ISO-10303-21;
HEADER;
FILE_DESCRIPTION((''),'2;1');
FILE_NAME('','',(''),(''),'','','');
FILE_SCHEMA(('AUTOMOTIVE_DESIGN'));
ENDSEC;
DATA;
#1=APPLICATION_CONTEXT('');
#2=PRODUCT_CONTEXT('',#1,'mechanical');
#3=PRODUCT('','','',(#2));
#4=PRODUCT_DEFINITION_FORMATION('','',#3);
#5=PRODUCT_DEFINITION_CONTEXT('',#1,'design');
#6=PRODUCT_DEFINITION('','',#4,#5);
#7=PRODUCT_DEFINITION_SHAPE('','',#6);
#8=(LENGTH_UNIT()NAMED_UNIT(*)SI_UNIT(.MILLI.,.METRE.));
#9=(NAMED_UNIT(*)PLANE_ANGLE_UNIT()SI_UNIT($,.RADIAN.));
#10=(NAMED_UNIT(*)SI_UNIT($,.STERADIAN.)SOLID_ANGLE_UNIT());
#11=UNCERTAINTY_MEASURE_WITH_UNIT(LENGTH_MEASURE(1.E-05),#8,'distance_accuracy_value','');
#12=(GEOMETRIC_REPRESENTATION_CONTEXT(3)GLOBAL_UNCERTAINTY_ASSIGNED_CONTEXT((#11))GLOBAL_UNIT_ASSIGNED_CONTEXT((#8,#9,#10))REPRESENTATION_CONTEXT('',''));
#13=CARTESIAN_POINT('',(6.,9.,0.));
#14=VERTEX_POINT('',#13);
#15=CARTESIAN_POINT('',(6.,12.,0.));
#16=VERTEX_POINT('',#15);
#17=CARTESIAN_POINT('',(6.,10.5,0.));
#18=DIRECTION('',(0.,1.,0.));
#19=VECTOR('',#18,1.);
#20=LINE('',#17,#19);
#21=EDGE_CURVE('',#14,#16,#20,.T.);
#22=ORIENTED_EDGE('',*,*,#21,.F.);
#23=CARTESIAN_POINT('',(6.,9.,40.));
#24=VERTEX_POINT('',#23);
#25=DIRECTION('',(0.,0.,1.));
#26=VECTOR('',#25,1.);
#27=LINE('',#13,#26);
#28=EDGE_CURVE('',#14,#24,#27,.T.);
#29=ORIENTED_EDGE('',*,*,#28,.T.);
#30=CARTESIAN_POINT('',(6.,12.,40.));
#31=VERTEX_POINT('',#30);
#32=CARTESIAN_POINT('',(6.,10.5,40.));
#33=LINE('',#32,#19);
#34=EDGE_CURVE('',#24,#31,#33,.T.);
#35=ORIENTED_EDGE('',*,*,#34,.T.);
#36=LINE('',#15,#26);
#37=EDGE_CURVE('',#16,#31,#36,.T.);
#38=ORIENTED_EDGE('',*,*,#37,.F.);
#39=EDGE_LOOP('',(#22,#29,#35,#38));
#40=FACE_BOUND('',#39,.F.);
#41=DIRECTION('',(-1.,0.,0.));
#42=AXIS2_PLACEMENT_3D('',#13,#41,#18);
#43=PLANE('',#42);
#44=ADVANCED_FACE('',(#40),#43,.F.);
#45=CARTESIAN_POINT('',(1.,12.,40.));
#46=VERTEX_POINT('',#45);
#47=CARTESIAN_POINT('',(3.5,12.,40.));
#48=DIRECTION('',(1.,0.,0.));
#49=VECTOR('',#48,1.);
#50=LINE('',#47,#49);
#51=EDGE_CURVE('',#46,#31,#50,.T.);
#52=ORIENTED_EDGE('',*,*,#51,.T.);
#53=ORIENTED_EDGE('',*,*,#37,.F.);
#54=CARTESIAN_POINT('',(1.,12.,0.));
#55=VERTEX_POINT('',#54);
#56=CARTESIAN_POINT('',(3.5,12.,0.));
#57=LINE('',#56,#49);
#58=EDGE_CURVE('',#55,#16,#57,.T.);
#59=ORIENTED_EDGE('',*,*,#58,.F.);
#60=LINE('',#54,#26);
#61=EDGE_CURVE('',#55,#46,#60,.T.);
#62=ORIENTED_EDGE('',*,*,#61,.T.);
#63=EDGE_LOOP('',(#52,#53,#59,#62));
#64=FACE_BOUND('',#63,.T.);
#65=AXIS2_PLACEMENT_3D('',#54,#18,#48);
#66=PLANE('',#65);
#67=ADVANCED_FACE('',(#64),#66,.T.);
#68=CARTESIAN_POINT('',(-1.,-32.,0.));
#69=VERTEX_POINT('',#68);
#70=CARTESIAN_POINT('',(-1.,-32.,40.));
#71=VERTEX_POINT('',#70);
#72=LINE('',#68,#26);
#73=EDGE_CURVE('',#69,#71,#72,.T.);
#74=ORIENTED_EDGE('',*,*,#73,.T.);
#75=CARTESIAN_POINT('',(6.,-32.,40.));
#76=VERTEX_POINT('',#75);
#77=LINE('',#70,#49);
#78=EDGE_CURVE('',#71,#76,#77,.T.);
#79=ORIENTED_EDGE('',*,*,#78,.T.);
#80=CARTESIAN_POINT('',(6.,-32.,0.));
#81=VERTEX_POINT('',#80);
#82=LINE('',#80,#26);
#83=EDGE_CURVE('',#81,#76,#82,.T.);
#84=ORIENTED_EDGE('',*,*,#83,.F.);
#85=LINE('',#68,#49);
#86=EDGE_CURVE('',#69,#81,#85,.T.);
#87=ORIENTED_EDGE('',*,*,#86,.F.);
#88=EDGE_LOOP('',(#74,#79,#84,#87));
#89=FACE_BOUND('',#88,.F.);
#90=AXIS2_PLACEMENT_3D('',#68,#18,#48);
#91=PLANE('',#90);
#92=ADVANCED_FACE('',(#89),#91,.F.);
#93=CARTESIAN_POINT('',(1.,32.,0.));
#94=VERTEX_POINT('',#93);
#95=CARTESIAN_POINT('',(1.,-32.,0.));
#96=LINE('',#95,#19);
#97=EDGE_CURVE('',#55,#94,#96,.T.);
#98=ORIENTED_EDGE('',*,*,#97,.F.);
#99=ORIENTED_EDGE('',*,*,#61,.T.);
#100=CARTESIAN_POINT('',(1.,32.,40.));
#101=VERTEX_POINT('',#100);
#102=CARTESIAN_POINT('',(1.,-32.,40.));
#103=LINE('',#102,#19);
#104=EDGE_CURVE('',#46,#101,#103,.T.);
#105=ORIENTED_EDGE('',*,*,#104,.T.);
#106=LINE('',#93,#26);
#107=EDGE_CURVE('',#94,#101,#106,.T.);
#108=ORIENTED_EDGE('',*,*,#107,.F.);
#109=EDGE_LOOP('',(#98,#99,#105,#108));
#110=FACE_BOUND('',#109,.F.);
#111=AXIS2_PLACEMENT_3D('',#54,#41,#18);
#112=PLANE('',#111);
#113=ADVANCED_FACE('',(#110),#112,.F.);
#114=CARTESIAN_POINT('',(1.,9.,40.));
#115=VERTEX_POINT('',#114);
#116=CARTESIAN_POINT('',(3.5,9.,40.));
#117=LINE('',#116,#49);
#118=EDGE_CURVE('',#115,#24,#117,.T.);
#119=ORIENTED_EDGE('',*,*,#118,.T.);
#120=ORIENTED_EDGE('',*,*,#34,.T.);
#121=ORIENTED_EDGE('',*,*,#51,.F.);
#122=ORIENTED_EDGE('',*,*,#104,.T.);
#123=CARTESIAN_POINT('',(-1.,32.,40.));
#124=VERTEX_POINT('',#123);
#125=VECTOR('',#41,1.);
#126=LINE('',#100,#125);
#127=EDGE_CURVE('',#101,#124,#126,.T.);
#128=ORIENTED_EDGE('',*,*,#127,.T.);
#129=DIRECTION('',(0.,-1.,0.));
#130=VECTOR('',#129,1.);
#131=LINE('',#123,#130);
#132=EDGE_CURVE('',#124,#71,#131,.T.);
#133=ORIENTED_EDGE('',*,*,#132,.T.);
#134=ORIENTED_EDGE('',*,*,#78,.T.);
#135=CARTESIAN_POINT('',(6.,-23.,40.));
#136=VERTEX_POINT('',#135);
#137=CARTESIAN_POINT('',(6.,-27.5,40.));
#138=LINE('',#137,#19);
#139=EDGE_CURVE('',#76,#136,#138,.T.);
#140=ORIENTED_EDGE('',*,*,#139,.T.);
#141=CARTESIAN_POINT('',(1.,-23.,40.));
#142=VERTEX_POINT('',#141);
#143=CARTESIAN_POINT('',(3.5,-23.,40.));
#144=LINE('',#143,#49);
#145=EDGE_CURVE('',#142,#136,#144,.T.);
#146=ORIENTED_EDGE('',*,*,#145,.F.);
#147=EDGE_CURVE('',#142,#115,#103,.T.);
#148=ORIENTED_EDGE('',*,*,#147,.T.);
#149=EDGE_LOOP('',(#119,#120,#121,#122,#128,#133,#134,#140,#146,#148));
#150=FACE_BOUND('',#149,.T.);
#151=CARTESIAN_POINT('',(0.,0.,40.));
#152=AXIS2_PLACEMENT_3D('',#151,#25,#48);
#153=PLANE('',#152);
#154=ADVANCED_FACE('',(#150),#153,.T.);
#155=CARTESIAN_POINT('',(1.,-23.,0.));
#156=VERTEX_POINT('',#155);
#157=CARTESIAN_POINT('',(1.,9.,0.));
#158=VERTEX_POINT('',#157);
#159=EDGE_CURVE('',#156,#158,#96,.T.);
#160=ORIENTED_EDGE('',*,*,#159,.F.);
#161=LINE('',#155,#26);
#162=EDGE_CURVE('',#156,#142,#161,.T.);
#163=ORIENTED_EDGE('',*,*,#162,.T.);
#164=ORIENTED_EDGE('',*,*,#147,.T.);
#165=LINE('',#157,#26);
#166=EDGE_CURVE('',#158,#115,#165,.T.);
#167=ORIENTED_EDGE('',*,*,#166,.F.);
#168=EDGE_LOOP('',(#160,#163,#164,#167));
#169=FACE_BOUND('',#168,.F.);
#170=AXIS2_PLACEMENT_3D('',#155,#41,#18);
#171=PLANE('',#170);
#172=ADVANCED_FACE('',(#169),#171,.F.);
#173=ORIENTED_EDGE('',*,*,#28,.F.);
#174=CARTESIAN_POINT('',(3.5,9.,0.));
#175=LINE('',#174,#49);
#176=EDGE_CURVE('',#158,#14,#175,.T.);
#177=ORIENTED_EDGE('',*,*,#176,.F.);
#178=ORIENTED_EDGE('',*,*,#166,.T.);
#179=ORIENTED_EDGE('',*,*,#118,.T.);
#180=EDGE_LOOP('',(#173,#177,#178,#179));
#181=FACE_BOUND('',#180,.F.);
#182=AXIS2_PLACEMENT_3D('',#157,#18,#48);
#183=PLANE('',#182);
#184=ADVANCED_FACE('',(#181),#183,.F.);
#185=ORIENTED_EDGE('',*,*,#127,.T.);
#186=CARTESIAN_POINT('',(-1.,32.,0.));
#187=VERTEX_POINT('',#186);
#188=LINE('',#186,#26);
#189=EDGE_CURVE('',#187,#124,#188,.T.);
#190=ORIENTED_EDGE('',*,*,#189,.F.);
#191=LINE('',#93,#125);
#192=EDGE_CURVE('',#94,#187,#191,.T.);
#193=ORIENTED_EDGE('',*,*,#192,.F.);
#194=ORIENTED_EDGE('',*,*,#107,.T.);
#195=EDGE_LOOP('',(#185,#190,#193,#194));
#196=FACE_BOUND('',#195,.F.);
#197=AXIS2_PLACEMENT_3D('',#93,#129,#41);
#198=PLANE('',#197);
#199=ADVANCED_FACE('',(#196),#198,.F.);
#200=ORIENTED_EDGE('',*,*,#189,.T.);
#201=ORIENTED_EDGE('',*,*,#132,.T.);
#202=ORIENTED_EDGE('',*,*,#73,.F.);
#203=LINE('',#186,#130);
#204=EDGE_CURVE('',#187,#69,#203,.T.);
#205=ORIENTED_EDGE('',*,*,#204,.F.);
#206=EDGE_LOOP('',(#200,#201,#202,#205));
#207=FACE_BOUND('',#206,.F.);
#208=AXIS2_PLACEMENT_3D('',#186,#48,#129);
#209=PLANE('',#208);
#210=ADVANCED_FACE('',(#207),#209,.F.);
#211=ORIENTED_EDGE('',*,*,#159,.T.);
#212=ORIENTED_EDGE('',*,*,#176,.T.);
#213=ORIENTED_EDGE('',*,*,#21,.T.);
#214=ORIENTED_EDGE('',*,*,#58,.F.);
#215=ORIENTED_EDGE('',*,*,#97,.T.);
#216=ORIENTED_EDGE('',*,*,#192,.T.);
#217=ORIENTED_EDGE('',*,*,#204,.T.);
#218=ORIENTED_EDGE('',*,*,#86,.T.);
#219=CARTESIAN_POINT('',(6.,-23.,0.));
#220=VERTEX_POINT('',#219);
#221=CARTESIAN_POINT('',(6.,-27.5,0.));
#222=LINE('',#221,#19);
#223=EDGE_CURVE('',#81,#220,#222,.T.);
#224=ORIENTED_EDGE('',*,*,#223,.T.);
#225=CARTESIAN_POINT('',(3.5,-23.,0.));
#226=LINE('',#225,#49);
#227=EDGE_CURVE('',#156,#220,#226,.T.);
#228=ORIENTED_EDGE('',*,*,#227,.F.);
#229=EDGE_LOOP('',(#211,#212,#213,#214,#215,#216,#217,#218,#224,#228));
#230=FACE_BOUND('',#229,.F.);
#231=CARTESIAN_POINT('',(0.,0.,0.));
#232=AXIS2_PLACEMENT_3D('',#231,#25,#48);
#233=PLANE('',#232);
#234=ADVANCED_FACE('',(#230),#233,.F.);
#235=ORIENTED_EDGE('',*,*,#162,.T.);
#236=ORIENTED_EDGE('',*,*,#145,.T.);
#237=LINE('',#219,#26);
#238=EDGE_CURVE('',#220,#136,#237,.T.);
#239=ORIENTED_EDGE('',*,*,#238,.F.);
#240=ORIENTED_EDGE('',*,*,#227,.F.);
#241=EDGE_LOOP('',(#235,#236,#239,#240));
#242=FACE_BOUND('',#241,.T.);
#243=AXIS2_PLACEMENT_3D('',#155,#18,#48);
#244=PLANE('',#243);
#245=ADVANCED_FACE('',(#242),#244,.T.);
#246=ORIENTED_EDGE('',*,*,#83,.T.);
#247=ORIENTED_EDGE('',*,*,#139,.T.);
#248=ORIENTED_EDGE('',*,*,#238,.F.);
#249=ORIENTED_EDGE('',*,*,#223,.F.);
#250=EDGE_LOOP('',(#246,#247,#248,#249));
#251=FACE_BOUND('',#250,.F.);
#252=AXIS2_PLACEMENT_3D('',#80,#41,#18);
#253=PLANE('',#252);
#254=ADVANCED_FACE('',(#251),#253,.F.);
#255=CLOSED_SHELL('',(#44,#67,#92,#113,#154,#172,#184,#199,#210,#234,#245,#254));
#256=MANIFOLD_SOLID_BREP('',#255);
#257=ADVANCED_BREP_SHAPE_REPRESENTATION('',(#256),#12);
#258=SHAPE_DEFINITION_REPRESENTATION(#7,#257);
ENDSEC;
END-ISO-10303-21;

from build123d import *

# Parameters (mm, degrees)
F0_W     = 5
F0_H     = 9
F0_H_2   = 3
F1_DEPTH = 40


with BuildPart() as f1:
    # F0 (on Top) → F1 (new body)
    with BuildSketch(Plane.XY):
        Polygon((1, 32), (-1, 32), (-1, -32), (1, -32), (1, -23), (1, 9), (1, 12), align=None)
        with Locations((3.5, -27.5)):
            Rectangle(F0_W, F0_H)
        with Locations((3.5, 10.5)):
            Rectangle(F0_W, F0_H_2)
    extrude(amount=F1_DEPTH)


solid = f1.part
